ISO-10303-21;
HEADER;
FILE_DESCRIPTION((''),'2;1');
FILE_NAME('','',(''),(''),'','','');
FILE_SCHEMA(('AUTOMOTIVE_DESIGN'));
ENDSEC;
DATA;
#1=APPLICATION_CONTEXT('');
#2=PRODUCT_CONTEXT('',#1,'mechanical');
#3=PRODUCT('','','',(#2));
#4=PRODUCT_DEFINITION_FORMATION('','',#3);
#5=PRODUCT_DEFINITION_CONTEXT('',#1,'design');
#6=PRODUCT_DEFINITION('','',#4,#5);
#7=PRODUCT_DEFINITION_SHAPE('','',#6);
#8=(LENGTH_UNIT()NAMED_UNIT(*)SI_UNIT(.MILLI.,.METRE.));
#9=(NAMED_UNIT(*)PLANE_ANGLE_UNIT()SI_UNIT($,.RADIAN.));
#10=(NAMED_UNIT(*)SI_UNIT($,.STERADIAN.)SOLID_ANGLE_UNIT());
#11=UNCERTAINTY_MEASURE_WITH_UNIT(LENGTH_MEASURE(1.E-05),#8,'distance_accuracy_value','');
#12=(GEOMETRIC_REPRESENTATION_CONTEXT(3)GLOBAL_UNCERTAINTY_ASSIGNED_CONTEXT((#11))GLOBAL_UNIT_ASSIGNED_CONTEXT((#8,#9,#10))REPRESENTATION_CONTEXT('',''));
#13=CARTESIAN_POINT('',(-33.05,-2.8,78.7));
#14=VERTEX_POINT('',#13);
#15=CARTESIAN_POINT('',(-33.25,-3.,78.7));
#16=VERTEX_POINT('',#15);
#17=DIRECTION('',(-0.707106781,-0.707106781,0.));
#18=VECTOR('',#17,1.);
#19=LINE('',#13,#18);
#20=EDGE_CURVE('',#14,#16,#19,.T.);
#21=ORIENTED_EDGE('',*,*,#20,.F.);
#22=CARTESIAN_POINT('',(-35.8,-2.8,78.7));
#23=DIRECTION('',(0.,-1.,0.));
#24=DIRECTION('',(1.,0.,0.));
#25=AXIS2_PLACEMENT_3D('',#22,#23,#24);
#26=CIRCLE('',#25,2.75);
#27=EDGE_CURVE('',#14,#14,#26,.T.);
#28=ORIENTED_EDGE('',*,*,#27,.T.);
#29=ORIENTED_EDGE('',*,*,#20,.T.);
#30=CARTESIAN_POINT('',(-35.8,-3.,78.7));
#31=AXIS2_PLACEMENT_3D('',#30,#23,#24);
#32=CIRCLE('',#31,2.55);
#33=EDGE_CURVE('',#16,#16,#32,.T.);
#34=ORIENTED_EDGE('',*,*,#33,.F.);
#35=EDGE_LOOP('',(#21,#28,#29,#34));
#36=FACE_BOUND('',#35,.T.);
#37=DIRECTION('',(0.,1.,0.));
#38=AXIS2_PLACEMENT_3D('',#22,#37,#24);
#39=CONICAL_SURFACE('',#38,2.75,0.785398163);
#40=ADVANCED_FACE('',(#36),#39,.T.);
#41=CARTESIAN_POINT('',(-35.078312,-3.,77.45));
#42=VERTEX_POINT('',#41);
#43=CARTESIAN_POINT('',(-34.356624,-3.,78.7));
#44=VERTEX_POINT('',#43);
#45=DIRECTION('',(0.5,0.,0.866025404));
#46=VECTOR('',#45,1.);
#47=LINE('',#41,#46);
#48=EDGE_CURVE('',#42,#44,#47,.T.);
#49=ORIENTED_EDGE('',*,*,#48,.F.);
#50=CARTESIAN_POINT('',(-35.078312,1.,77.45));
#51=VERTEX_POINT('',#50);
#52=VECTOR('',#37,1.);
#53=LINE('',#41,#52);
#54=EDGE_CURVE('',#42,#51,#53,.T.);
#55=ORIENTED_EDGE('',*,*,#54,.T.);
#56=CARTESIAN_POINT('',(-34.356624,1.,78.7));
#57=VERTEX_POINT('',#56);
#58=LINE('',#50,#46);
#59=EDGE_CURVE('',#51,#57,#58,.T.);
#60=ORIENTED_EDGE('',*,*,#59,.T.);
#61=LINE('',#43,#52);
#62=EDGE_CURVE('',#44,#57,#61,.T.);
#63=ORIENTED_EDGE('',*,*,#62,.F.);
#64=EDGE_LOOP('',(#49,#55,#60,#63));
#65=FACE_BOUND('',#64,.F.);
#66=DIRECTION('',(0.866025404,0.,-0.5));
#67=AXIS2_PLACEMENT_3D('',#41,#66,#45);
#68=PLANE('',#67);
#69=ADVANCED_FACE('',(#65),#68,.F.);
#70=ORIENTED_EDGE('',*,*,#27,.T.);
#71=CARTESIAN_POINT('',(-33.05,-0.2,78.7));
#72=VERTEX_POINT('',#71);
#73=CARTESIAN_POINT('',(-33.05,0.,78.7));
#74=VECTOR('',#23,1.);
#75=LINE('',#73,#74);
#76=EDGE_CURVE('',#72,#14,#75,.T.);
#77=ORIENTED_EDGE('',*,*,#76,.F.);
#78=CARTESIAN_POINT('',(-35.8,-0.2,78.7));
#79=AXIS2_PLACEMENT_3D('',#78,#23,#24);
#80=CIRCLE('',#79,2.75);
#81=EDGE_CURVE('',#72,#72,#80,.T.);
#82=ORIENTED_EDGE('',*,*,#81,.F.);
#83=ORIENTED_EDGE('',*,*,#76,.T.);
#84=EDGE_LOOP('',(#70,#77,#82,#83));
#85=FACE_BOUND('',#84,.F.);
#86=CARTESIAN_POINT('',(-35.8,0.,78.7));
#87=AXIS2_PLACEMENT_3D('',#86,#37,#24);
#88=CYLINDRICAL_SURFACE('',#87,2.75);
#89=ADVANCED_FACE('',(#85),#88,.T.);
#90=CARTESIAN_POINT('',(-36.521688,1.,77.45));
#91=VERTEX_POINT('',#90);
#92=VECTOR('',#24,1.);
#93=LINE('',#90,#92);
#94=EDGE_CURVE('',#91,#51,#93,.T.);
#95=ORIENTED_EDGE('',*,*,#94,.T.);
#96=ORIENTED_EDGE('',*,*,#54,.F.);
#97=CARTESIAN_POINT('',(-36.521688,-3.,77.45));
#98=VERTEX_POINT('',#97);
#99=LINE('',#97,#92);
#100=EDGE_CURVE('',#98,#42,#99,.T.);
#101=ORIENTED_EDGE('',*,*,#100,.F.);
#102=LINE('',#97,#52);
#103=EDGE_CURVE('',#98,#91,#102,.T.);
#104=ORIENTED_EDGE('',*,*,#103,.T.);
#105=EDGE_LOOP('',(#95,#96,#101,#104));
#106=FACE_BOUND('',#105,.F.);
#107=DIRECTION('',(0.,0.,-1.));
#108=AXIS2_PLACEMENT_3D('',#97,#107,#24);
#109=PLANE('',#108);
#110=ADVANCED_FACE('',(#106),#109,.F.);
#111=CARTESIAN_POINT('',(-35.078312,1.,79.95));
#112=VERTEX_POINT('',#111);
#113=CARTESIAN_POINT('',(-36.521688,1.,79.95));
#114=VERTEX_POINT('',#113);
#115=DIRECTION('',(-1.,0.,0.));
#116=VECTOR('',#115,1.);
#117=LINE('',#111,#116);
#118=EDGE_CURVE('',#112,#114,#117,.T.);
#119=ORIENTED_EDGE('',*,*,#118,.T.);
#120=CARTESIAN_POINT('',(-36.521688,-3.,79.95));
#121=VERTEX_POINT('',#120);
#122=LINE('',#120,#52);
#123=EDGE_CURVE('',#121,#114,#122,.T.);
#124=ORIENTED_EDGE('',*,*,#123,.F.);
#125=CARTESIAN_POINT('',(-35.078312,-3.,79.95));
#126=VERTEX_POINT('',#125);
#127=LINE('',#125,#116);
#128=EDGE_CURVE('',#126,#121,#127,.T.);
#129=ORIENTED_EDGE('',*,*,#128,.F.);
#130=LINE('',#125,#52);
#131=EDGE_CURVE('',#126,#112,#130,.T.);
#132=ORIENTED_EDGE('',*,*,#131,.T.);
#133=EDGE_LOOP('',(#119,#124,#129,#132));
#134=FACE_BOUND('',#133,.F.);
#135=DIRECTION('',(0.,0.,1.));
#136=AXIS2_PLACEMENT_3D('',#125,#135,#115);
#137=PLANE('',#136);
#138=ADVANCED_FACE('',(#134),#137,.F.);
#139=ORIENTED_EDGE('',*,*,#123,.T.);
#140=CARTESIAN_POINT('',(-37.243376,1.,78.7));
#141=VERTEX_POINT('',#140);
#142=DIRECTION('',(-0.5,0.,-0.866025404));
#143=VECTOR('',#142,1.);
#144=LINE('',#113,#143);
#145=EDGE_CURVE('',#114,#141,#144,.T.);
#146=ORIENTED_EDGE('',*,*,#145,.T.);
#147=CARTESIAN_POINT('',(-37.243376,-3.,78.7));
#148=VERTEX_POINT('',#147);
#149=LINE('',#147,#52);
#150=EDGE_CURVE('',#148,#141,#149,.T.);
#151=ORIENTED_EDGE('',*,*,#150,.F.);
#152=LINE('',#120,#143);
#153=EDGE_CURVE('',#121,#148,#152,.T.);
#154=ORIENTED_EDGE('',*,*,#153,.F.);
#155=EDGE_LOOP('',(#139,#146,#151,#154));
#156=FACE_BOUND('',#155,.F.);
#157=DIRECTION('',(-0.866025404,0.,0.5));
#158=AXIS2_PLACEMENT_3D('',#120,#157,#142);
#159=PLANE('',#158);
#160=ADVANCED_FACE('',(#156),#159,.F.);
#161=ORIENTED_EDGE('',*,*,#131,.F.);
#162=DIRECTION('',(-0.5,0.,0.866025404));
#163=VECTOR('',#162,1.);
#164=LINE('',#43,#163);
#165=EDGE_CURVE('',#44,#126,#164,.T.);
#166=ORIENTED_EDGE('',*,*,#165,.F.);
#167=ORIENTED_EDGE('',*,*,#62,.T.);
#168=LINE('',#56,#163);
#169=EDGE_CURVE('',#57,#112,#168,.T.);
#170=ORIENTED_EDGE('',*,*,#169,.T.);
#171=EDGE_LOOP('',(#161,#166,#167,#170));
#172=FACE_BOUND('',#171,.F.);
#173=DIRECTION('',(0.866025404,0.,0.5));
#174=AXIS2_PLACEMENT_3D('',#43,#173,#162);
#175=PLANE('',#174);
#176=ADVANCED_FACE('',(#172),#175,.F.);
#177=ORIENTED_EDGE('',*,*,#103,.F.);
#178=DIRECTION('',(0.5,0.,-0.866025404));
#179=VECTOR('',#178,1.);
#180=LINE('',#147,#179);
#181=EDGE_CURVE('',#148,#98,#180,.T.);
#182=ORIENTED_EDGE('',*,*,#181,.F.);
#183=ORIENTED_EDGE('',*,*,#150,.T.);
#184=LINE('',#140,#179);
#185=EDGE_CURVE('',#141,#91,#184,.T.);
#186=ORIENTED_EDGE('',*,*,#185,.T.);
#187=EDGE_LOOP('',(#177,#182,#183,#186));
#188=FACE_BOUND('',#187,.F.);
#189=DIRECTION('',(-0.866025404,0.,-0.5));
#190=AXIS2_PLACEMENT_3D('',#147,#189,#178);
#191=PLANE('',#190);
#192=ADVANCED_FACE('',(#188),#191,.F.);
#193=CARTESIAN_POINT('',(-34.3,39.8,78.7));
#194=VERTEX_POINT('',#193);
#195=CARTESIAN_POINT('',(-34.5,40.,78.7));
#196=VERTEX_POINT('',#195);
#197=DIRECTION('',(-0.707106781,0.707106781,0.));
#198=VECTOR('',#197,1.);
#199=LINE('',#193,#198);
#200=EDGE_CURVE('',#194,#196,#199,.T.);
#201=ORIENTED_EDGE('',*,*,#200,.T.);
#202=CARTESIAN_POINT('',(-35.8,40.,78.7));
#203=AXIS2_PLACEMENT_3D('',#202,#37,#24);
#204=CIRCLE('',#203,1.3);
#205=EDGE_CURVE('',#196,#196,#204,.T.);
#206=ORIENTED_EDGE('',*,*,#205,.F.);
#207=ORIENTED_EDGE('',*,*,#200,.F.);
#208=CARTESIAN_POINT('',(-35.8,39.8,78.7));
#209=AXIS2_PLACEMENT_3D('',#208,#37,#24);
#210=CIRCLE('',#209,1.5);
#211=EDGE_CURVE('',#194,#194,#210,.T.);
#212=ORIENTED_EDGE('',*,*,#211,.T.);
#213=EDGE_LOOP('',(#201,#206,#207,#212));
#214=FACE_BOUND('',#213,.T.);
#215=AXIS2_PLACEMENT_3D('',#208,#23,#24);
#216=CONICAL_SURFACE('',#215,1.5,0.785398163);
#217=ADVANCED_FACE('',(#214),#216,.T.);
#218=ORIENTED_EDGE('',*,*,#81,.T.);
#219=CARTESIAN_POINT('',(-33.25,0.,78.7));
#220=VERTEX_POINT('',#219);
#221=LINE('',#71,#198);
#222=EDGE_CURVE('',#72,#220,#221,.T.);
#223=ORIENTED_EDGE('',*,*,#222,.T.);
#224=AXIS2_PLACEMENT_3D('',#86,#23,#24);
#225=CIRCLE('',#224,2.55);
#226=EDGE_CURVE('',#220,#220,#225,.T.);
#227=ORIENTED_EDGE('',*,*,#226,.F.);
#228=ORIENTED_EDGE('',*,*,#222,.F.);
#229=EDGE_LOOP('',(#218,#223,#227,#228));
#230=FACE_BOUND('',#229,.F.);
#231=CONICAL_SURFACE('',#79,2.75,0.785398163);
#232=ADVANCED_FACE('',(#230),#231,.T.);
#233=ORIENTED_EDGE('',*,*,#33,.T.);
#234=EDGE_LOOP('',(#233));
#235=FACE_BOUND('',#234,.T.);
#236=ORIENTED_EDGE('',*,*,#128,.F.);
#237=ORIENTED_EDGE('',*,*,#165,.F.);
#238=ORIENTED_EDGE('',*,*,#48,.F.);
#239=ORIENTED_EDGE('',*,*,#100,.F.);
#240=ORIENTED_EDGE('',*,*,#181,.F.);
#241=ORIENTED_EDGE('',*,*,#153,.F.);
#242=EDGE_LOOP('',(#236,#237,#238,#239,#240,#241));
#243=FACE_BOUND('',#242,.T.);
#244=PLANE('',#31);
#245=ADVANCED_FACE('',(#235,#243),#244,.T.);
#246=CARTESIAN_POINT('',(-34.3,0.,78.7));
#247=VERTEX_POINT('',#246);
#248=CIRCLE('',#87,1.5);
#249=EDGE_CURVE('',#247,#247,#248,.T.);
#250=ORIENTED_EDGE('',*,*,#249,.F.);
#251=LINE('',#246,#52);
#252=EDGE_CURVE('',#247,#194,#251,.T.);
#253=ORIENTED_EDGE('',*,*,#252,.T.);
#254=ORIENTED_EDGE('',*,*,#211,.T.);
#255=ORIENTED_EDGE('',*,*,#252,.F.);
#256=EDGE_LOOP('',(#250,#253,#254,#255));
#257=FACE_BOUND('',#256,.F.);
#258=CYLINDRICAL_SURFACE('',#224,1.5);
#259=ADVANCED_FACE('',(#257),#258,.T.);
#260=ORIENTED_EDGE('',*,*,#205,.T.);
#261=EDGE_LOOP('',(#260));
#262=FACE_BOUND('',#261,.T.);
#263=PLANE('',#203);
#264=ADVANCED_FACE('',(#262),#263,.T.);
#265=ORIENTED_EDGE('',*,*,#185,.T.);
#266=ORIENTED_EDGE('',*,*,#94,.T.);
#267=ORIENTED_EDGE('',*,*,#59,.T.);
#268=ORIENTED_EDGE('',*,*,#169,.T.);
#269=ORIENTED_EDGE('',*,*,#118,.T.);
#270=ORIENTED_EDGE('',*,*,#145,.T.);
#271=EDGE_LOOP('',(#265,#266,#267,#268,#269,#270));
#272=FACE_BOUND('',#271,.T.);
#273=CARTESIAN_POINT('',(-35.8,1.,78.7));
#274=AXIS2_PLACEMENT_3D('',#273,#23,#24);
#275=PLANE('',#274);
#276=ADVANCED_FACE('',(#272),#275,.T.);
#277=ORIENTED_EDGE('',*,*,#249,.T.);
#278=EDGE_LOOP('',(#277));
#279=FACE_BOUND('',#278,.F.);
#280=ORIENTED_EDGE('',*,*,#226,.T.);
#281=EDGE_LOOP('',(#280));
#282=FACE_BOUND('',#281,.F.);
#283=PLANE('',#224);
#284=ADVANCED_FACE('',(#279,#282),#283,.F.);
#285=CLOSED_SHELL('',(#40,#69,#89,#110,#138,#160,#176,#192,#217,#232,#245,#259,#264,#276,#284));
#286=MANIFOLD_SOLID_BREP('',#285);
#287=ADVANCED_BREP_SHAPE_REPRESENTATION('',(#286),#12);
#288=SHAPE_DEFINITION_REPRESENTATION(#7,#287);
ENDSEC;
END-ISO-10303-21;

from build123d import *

# Parameters (mm, degrees)
SKETCH009_R             = 2.75
PAD005_DEPTH            = 3
SKETCH010_R             = 1.5
PAD004_DEPTH            = 40
POCKET004_DEPTH         = 4
CHAMFER002_SIZE         = 0.2
BODY003_PLACEMENT_ANGLE = 90


with BuildPart() as part:
    # Sketch009 → Pad005 (new body)
    with BuildSketch(Plane.XY):
        Circle(SKETCH009_R)
    extrude(amount=PAD005_DEPTH)

    # Sketch010 (on Face2 of Pad005) → Pad004 (join)
    with BuildSketch(Plane(origin=(0, 0, 0), x_dir=(1, 0, 0), z_dir=(0, 0, -1))):
        Circle(SKETCH010_R)
    extrude(amount=PAD004_DEPTH)

    # Sketch011 (on DatumPlane) → Pocket004 (cut)
    with BuildSketch(Plane.XY.offset(3)):
        Polygon((0.7216878365, -1.25), (1.443375673, 0), (0.7216878365, 1.25), (-0.7216878365, 1.25), (-1.443375673, 0), (-0.7216878365, -1.25), align=None)
    extrude(amount=-POCKET004_DEPTH, mode=Mode.SUBTRACT)

    # Chamfer002
    chamfer002_edges = [part.edges().sort_by_distance(p)[0] for p in [
        (-1.5, 0, -40),
        (-2.75, 0, 0),
        (-2.75, 0, 3),
    ]]
    chamfer(chamfer002_edges, length=CHAMFER002_SIZE)


with BuildPart() as part_1:
    # Body003 placement: moved
    add(part.part.moved(Location((-35.8, 0, 78.7))).rotate(Axis((-35.8, 0, 78.7), (1, 0, 0)), BODY003_PLACEMENT_ANGLE))


solid = part_1.part
